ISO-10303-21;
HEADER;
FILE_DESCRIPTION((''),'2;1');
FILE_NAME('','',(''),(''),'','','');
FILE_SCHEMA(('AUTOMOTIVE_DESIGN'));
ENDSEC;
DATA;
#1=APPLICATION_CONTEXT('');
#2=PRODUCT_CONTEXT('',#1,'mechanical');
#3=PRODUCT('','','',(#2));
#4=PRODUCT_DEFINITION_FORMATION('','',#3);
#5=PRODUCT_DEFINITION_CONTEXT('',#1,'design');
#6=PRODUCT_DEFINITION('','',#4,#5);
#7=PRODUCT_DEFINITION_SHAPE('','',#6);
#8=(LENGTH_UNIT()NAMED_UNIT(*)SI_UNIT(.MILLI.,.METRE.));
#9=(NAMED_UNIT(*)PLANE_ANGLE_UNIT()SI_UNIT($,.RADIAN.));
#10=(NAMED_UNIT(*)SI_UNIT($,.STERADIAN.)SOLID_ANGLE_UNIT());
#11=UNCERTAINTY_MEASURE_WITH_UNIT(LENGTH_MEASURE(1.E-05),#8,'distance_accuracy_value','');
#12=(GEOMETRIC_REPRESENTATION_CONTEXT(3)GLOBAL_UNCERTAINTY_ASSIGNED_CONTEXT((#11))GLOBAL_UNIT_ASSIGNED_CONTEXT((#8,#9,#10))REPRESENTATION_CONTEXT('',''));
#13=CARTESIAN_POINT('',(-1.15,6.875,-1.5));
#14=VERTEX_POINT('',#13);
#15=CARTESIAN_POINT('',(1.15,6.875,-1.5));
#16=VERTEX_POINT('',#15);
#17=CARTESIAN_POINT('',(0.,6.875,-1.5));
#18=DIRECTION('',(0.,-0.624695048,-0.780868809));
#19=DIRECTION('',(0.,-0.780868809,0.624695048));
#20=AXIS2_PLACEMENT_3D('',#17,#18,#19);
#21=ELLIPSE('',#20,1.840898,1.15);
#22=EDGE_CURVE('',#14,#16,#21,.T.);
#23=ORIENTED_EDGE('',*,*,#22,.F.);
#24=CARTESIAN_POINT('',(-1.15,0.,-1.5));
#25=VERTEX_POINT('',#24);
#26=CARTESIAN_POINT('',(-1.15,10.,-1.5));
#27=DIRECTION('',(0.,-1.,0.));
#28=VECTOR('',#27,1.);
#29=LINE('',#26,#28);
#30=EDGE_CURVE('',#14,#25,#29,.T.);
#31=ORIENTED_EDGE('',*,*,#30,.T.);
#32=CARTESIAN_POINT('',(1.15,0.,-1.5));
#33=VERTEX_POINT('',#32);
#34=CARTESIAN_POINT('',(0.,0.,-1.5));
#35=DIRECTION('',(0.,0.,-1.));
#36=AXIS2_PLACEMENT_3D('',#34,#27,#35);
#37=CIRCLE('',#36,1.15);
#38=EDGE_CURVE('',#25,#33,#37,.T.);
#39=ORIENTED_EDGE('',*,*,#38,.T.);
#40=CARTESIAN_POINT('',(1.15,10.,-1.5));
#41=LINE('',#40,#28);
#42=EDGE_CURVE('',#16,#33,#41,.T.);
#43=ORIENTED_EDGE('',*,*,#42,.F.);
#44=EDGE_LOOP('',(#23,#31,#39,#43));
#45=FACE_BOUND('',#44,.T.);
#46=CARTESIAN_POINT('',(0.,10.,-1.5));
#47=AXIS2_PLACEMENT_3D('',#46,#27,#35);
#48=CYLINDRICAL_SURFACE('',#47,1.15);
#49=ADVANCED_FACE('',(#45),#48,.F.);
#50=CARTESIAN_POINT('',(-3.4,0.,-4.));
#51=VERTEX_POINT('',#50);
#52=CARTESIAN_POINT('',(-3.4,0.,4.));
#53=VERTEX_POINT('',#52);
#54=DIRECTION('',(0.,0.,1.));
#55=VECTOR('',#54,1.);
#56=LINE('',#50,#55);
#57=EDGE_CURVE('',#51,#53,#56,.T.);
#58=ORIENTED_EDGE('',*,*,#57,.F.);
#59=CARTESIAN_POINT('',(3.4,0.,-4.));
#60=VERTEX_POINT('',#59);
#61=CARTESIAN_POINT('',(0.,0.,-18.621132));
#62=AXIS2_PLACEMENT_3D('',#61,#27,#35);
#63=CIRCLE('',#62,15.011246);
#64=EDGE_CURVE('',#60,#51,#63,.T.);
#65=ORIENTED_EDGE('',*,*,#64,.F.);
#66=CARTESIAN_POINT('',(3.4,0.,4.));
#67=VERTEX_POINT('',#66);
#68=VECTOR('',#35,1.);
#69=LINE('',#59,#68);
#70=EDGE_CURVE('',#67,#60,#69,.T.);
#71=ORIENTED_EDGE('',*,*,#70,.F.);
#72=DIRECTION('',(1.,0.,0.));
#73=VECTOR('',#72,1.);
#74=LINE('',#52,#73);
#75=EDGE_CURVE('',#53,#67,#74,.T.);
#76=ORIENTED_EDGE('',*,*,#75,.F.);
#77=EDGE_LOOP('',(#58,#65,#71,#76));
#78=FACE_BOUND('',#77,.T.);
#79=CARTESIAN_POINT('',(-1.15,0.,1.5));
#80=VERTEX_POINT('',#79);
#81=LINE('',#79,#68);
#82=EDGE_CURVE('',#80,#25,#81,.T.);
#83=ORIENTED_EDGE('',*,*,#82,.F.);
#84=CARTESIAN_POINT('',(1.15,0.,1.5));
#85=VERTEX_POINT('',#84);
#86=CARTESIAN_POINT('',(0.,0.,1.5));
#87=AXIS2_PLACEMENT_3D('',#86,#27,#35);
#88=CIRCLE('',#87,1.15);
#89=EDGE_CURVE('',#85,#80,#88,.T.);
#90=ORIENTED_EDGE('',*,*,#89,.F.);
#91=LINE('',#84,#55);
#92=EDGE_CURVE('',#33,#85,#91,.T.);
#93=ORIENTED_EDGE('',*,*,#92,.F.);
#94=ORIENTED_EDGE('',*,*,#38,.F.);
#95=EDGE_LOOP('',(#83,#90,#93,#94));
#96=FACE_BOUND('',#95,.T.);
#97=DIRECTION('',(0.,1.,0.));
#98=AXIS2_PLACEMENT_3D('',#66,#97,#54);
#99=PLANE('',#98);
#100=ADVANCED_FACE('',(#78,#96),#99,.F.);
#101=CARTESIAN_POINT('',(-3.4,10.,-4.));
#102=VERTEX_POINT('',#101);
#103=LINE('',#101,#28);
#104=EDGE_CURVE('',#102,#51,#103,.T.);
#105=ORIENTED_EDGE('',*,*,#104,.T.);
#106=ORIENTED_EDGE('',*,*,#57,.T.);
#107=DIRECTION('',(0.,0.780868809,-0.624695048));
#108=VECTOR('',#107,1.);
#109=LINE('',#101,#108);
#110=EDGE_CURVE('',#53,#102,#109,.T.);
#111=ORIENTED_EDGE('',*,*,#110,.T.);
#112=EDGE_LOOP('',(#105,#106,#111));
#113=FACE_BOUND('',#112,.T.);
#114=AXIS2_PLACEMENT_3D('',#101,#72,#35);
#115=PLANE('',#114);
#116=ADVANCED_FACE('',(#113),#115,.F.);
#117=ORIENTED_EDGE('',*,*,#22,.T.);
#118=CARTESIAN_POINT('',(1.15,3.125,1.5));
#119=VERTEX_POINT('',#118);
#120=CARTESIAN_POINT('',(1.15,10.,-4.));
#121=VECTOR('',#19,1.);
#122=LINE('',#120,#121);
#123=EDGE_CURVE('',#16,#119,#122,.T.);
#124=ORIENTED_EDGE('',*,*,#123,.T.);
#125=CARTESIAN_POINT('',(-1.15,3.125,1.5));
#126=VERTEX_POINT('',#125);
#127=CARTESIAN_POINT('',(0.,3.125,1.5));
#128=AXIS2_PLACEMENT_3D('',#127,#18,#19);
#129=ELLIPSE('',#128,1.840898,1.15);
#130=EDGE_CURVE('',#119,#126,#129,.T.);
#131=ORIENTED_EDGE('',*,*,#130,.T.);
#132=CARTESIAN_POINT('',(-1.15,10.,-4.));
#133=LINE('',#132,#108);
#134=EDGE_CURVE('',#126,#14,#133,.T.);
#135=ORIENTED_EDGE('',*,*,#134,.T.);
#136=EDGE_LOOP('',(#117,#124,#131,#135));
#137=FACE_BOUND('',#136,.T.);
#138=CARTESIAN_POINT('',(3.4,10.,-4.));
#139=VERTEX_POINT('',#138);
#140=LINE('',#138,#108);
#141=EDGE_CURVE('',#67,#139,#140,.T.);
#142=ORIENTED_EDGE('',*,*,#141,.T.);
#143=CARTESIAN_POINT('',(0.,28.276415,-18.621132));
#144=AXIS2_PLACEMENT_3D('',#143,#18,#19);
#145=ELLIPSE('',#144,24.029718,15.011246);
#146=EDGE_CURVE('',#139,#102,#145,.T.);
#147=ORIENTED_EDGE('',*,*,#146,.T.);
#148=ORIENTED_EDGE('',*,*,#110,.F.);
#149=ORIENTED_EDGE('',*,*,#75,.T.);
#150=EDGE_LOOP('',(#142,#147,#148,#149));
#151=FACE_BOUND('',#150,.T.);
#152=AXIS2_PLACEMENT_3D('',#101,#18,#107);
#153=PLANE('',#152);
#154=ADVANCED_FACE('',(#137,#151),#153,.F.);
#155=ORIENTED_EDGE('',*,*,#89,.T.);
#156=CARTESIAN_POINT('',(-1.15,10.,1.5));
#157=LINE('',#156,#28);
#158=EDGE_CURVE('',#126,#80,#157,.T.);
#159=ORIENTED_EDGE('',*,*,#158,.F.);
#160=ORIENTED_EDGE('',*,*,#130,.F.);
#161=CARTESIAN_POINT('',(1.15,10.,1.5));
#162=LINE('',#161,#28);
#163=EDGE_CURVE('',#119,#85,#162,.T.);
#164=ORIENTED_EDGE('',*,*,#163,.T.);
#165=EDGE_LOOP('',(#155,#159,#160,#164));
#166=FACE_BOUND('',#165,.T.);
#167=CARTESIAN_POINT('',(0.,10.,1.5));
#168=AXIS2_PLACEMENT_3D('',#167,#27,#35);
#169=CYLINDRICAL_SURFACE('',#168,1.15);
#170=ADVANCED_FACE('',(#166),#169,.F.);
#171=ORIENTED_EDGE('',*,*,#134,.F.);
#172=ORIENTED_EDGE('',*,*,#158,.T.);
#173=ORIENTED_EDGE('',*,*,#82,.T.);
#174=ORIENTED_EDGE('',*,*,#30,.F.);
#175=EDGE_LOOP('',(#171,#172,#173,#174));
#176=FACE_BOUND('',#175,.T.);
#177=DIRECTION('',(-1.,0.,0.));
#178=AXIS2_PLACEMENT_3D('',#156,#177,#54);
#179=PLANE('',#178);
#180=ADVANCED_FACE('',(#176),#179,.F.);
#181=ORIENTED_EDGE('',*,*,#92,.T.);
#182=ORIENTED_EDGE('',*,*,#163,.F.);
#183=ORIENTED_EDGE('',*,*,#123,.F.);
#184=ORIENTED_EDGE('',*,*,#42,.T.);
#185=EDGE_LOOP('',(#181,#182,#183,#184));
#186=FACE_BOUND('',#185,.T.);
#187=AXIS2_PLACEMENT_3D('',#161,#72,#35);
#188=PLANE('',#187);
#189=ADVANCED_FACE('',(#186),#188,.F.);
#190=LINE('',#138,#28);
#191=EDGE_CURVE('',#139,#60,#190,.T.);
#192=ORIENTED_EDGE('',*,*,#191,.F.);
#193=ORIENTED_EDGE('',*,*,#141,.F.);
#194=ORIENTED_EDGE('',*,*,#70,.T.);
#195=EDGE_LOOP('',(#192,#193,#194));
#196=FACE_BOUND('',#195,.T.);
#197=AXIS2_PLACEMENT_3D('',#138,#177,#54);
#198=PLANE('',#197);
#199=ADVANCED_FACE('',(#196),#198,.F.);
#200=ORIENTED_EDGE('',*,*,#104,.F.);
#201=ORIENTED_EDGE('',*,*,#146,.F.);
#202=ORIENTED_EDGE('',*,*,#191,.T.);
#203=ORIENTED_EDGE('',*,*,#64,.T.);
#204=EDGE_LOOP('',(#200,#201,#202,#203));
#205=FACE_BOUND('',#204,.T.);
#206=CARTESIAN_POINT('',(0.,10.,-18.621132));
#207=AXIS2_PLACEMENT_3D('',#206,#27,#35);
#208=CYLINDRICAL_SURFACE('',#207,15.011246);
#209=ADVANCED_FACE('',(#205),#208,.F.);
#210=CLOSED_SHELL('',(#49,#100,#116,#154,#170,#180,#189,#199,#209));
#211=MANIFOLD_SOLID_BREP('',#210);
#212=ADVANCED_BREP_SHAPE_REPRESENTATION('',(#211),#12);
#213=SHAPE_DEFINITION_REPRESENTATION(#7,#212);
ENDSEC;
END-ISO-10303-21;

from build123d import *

# Parameters (mm, degrees)
SKETCH1_W      = 6.8
SKETCH1_H      = 8
EXTRUDE1_DEPTH = 10
EXTRUDE2_DEPTH = 7.8
EXTRUDE3_DEPTH = 11
SKETCH4_R      = 15.011245784
EXTRUDE4_DEPTH = 11


with BuildPart() as part:
    # Sketch1 → Extrude1 (new body)
    with BuildSketch(Plane(origin=(0, 0, 0), x_dir=(1, 0, 0), z_dir=(0, 1, 0))):
        Rectangle(SKETCH1_W, SKETCH1_H)
    extrude(amount=EXTRUDE1_DEPTH)

    # Sketch2 → Extrude2 (cut, through all)
    with BuildSketch(Plane(origin=(3.4, 0, 0), x_dir=(0, 0, -1), z_dir=(1, 0, 0))):
        Polygon((4, 10), (-4, 0), (-4, 10), align=None)
    extrude(amount=-EXTRUDE2_DEPTH, mode=Mode.SUBTRACT)

    # Sketch3 → Extrude3 (cut, through all)
    with BuildSketch(Plane.XZ):
        with BuildLine():
            Line((1.15, 1.5), (1.15, -1.5))
            ThreePointArc((1.15, -1.5), (0, -2.65), (-1.15, -1.5))
            Line((-1.15, -1.5), (-1.15, 1.5))
            ThreePointArc((-1.15, 1.5), (0, 2.65), (1.15, 1.5))
        make_face()
    extrude(amount=-EXTRUDE3_DEPTH, mode=Mode.SUBTRACT)

    # Sketch4 → Extrude4 (cut, through all)
    with BuildSketch(Plane.XZ):
        with Locations((0, -18.621131967)):
            Circle(SKETCH4_R)
    extrude(amount=-EXTRUDE4_DEPTH, mode=Mode.SUBTRACT)


solid = part.part
